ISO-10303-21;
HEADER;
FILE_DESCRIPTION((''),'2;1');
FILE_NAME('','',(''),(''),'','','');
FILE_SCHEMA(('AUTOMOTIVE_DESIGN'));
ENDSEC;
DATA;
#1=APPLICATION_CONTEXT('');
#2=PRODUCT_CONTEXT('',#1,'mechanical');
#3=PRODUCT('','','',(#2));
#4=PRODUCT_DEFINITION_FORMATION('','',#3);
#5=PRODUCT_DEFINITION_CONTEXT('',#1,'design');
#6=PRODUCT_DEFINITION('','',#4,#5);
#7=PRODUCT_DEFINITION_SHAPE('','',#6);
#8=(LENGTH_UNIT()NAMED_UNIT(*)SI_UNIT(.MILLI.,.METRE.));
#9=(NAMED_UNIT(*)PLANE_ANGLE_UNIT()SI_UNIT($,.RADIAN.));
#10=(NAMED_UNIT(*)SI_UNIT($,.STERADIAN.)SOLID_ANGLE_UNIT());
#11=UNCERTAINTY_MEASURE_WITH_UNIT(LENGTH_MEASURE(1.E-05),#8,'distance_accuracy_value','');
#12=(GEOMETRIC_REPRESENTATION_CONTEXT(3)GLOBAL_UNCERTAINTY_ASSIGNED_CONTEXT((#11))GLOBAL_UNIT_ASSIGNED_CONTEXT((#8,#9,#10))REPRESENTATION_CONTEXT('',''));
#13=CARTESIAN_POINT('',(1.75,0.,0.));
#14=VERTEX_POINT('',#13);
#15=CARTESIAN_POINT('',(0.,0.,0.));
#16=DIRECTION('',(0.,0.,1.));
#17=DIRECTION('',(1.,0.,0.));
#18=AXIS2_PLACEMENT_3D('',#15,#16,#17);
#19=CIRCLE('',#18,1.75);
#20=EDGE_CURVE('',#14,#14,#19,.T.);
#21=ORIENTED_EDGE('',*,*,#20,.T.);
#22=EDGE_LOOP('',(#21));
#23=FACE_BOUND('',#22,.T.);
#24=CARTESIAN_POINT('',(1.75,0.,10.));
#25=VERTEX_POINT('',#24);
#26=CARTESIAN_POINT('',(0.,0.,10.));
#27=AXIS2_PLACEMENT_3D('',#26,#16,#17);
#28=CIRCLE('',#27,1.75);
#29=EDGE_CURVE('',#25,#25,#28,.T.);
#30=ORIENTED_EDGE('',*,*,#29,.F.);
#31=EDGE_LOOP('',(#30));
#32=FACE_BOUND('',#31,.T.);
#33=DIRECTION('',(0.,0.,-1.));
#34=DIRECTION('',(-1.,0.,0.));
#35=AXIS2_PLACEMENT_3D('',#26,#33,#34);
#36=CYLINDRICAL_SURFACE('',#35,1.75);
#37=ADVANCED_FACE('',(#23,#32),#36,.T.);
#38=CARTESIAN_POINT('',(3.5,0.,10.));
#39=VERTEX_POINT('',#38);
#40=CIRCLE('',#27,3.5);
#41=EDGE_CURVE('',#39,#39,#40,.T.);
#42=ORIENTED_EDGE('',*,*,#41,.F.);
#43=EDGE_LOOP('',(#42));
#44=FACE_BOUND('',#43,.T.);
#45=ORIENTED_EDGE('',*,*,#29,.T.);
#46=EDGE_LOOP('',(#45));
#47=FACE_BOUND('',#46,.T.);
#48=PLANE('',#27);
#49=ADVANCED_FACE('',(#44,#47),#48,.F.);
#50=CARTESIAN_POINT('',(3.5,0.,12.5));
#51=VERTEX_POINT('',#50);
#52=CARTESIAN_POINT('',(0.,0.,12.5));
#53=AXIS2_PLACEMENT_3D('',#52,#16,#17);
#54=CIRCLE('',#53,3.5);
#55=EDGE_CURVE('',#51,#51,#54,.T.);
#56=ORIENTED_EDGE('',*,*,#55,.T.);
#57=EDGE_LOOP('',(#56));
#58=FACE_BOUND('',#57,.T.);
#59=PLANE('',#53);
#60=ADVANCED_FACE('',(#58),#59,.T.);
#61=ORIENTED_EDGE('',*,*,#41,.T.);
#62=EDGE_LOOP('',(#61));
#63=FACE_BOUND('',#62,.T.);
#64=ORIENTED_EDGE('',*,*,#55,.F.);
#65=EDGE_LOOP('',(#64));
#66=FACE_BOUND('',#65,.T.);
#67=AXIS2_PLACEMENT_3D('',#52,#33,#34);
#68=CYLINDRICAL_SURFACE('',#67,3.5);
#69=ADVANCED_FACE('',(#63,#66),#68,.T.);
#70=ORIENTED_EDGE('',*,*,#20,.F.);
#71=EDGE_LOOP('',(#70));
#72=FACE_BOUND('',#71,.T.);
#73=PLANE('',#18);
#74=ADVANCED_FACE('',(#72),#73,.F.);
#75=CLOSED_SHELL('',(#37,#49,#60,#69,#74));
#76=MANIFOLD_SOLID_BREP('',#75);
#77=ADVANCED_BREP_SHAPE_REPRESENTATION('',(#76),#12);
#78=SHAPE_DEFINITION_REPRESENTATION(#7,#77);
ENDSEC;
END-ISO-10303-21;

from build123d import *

# Parameters (mm, degrees)
SKETCH1_R           = 1.75
BOSS_EXTRUDE1_DEPTH = 10
SKETCH2_R           = 3.5
BOSS_EXTRUDE2_DEPTH = 2.5


with BuildPart() as part:
    # Sketch1 → Boss-Extrude1 (new body)
    with BuildSketch(Plane.XY):
        Circle(SKETCH1_R)
    extrude(amount=BOSS_EXTRUDE1_DEPTH)

    # Sketch2 → Boss-Extrude2 (add)
    with BuildSketch(Plane.XY.offset(10)):
        Circle(SKETCH2_R)
    extrude(amount=BOSS_EXTRUDE2_DEPTH)


solid = part.part
